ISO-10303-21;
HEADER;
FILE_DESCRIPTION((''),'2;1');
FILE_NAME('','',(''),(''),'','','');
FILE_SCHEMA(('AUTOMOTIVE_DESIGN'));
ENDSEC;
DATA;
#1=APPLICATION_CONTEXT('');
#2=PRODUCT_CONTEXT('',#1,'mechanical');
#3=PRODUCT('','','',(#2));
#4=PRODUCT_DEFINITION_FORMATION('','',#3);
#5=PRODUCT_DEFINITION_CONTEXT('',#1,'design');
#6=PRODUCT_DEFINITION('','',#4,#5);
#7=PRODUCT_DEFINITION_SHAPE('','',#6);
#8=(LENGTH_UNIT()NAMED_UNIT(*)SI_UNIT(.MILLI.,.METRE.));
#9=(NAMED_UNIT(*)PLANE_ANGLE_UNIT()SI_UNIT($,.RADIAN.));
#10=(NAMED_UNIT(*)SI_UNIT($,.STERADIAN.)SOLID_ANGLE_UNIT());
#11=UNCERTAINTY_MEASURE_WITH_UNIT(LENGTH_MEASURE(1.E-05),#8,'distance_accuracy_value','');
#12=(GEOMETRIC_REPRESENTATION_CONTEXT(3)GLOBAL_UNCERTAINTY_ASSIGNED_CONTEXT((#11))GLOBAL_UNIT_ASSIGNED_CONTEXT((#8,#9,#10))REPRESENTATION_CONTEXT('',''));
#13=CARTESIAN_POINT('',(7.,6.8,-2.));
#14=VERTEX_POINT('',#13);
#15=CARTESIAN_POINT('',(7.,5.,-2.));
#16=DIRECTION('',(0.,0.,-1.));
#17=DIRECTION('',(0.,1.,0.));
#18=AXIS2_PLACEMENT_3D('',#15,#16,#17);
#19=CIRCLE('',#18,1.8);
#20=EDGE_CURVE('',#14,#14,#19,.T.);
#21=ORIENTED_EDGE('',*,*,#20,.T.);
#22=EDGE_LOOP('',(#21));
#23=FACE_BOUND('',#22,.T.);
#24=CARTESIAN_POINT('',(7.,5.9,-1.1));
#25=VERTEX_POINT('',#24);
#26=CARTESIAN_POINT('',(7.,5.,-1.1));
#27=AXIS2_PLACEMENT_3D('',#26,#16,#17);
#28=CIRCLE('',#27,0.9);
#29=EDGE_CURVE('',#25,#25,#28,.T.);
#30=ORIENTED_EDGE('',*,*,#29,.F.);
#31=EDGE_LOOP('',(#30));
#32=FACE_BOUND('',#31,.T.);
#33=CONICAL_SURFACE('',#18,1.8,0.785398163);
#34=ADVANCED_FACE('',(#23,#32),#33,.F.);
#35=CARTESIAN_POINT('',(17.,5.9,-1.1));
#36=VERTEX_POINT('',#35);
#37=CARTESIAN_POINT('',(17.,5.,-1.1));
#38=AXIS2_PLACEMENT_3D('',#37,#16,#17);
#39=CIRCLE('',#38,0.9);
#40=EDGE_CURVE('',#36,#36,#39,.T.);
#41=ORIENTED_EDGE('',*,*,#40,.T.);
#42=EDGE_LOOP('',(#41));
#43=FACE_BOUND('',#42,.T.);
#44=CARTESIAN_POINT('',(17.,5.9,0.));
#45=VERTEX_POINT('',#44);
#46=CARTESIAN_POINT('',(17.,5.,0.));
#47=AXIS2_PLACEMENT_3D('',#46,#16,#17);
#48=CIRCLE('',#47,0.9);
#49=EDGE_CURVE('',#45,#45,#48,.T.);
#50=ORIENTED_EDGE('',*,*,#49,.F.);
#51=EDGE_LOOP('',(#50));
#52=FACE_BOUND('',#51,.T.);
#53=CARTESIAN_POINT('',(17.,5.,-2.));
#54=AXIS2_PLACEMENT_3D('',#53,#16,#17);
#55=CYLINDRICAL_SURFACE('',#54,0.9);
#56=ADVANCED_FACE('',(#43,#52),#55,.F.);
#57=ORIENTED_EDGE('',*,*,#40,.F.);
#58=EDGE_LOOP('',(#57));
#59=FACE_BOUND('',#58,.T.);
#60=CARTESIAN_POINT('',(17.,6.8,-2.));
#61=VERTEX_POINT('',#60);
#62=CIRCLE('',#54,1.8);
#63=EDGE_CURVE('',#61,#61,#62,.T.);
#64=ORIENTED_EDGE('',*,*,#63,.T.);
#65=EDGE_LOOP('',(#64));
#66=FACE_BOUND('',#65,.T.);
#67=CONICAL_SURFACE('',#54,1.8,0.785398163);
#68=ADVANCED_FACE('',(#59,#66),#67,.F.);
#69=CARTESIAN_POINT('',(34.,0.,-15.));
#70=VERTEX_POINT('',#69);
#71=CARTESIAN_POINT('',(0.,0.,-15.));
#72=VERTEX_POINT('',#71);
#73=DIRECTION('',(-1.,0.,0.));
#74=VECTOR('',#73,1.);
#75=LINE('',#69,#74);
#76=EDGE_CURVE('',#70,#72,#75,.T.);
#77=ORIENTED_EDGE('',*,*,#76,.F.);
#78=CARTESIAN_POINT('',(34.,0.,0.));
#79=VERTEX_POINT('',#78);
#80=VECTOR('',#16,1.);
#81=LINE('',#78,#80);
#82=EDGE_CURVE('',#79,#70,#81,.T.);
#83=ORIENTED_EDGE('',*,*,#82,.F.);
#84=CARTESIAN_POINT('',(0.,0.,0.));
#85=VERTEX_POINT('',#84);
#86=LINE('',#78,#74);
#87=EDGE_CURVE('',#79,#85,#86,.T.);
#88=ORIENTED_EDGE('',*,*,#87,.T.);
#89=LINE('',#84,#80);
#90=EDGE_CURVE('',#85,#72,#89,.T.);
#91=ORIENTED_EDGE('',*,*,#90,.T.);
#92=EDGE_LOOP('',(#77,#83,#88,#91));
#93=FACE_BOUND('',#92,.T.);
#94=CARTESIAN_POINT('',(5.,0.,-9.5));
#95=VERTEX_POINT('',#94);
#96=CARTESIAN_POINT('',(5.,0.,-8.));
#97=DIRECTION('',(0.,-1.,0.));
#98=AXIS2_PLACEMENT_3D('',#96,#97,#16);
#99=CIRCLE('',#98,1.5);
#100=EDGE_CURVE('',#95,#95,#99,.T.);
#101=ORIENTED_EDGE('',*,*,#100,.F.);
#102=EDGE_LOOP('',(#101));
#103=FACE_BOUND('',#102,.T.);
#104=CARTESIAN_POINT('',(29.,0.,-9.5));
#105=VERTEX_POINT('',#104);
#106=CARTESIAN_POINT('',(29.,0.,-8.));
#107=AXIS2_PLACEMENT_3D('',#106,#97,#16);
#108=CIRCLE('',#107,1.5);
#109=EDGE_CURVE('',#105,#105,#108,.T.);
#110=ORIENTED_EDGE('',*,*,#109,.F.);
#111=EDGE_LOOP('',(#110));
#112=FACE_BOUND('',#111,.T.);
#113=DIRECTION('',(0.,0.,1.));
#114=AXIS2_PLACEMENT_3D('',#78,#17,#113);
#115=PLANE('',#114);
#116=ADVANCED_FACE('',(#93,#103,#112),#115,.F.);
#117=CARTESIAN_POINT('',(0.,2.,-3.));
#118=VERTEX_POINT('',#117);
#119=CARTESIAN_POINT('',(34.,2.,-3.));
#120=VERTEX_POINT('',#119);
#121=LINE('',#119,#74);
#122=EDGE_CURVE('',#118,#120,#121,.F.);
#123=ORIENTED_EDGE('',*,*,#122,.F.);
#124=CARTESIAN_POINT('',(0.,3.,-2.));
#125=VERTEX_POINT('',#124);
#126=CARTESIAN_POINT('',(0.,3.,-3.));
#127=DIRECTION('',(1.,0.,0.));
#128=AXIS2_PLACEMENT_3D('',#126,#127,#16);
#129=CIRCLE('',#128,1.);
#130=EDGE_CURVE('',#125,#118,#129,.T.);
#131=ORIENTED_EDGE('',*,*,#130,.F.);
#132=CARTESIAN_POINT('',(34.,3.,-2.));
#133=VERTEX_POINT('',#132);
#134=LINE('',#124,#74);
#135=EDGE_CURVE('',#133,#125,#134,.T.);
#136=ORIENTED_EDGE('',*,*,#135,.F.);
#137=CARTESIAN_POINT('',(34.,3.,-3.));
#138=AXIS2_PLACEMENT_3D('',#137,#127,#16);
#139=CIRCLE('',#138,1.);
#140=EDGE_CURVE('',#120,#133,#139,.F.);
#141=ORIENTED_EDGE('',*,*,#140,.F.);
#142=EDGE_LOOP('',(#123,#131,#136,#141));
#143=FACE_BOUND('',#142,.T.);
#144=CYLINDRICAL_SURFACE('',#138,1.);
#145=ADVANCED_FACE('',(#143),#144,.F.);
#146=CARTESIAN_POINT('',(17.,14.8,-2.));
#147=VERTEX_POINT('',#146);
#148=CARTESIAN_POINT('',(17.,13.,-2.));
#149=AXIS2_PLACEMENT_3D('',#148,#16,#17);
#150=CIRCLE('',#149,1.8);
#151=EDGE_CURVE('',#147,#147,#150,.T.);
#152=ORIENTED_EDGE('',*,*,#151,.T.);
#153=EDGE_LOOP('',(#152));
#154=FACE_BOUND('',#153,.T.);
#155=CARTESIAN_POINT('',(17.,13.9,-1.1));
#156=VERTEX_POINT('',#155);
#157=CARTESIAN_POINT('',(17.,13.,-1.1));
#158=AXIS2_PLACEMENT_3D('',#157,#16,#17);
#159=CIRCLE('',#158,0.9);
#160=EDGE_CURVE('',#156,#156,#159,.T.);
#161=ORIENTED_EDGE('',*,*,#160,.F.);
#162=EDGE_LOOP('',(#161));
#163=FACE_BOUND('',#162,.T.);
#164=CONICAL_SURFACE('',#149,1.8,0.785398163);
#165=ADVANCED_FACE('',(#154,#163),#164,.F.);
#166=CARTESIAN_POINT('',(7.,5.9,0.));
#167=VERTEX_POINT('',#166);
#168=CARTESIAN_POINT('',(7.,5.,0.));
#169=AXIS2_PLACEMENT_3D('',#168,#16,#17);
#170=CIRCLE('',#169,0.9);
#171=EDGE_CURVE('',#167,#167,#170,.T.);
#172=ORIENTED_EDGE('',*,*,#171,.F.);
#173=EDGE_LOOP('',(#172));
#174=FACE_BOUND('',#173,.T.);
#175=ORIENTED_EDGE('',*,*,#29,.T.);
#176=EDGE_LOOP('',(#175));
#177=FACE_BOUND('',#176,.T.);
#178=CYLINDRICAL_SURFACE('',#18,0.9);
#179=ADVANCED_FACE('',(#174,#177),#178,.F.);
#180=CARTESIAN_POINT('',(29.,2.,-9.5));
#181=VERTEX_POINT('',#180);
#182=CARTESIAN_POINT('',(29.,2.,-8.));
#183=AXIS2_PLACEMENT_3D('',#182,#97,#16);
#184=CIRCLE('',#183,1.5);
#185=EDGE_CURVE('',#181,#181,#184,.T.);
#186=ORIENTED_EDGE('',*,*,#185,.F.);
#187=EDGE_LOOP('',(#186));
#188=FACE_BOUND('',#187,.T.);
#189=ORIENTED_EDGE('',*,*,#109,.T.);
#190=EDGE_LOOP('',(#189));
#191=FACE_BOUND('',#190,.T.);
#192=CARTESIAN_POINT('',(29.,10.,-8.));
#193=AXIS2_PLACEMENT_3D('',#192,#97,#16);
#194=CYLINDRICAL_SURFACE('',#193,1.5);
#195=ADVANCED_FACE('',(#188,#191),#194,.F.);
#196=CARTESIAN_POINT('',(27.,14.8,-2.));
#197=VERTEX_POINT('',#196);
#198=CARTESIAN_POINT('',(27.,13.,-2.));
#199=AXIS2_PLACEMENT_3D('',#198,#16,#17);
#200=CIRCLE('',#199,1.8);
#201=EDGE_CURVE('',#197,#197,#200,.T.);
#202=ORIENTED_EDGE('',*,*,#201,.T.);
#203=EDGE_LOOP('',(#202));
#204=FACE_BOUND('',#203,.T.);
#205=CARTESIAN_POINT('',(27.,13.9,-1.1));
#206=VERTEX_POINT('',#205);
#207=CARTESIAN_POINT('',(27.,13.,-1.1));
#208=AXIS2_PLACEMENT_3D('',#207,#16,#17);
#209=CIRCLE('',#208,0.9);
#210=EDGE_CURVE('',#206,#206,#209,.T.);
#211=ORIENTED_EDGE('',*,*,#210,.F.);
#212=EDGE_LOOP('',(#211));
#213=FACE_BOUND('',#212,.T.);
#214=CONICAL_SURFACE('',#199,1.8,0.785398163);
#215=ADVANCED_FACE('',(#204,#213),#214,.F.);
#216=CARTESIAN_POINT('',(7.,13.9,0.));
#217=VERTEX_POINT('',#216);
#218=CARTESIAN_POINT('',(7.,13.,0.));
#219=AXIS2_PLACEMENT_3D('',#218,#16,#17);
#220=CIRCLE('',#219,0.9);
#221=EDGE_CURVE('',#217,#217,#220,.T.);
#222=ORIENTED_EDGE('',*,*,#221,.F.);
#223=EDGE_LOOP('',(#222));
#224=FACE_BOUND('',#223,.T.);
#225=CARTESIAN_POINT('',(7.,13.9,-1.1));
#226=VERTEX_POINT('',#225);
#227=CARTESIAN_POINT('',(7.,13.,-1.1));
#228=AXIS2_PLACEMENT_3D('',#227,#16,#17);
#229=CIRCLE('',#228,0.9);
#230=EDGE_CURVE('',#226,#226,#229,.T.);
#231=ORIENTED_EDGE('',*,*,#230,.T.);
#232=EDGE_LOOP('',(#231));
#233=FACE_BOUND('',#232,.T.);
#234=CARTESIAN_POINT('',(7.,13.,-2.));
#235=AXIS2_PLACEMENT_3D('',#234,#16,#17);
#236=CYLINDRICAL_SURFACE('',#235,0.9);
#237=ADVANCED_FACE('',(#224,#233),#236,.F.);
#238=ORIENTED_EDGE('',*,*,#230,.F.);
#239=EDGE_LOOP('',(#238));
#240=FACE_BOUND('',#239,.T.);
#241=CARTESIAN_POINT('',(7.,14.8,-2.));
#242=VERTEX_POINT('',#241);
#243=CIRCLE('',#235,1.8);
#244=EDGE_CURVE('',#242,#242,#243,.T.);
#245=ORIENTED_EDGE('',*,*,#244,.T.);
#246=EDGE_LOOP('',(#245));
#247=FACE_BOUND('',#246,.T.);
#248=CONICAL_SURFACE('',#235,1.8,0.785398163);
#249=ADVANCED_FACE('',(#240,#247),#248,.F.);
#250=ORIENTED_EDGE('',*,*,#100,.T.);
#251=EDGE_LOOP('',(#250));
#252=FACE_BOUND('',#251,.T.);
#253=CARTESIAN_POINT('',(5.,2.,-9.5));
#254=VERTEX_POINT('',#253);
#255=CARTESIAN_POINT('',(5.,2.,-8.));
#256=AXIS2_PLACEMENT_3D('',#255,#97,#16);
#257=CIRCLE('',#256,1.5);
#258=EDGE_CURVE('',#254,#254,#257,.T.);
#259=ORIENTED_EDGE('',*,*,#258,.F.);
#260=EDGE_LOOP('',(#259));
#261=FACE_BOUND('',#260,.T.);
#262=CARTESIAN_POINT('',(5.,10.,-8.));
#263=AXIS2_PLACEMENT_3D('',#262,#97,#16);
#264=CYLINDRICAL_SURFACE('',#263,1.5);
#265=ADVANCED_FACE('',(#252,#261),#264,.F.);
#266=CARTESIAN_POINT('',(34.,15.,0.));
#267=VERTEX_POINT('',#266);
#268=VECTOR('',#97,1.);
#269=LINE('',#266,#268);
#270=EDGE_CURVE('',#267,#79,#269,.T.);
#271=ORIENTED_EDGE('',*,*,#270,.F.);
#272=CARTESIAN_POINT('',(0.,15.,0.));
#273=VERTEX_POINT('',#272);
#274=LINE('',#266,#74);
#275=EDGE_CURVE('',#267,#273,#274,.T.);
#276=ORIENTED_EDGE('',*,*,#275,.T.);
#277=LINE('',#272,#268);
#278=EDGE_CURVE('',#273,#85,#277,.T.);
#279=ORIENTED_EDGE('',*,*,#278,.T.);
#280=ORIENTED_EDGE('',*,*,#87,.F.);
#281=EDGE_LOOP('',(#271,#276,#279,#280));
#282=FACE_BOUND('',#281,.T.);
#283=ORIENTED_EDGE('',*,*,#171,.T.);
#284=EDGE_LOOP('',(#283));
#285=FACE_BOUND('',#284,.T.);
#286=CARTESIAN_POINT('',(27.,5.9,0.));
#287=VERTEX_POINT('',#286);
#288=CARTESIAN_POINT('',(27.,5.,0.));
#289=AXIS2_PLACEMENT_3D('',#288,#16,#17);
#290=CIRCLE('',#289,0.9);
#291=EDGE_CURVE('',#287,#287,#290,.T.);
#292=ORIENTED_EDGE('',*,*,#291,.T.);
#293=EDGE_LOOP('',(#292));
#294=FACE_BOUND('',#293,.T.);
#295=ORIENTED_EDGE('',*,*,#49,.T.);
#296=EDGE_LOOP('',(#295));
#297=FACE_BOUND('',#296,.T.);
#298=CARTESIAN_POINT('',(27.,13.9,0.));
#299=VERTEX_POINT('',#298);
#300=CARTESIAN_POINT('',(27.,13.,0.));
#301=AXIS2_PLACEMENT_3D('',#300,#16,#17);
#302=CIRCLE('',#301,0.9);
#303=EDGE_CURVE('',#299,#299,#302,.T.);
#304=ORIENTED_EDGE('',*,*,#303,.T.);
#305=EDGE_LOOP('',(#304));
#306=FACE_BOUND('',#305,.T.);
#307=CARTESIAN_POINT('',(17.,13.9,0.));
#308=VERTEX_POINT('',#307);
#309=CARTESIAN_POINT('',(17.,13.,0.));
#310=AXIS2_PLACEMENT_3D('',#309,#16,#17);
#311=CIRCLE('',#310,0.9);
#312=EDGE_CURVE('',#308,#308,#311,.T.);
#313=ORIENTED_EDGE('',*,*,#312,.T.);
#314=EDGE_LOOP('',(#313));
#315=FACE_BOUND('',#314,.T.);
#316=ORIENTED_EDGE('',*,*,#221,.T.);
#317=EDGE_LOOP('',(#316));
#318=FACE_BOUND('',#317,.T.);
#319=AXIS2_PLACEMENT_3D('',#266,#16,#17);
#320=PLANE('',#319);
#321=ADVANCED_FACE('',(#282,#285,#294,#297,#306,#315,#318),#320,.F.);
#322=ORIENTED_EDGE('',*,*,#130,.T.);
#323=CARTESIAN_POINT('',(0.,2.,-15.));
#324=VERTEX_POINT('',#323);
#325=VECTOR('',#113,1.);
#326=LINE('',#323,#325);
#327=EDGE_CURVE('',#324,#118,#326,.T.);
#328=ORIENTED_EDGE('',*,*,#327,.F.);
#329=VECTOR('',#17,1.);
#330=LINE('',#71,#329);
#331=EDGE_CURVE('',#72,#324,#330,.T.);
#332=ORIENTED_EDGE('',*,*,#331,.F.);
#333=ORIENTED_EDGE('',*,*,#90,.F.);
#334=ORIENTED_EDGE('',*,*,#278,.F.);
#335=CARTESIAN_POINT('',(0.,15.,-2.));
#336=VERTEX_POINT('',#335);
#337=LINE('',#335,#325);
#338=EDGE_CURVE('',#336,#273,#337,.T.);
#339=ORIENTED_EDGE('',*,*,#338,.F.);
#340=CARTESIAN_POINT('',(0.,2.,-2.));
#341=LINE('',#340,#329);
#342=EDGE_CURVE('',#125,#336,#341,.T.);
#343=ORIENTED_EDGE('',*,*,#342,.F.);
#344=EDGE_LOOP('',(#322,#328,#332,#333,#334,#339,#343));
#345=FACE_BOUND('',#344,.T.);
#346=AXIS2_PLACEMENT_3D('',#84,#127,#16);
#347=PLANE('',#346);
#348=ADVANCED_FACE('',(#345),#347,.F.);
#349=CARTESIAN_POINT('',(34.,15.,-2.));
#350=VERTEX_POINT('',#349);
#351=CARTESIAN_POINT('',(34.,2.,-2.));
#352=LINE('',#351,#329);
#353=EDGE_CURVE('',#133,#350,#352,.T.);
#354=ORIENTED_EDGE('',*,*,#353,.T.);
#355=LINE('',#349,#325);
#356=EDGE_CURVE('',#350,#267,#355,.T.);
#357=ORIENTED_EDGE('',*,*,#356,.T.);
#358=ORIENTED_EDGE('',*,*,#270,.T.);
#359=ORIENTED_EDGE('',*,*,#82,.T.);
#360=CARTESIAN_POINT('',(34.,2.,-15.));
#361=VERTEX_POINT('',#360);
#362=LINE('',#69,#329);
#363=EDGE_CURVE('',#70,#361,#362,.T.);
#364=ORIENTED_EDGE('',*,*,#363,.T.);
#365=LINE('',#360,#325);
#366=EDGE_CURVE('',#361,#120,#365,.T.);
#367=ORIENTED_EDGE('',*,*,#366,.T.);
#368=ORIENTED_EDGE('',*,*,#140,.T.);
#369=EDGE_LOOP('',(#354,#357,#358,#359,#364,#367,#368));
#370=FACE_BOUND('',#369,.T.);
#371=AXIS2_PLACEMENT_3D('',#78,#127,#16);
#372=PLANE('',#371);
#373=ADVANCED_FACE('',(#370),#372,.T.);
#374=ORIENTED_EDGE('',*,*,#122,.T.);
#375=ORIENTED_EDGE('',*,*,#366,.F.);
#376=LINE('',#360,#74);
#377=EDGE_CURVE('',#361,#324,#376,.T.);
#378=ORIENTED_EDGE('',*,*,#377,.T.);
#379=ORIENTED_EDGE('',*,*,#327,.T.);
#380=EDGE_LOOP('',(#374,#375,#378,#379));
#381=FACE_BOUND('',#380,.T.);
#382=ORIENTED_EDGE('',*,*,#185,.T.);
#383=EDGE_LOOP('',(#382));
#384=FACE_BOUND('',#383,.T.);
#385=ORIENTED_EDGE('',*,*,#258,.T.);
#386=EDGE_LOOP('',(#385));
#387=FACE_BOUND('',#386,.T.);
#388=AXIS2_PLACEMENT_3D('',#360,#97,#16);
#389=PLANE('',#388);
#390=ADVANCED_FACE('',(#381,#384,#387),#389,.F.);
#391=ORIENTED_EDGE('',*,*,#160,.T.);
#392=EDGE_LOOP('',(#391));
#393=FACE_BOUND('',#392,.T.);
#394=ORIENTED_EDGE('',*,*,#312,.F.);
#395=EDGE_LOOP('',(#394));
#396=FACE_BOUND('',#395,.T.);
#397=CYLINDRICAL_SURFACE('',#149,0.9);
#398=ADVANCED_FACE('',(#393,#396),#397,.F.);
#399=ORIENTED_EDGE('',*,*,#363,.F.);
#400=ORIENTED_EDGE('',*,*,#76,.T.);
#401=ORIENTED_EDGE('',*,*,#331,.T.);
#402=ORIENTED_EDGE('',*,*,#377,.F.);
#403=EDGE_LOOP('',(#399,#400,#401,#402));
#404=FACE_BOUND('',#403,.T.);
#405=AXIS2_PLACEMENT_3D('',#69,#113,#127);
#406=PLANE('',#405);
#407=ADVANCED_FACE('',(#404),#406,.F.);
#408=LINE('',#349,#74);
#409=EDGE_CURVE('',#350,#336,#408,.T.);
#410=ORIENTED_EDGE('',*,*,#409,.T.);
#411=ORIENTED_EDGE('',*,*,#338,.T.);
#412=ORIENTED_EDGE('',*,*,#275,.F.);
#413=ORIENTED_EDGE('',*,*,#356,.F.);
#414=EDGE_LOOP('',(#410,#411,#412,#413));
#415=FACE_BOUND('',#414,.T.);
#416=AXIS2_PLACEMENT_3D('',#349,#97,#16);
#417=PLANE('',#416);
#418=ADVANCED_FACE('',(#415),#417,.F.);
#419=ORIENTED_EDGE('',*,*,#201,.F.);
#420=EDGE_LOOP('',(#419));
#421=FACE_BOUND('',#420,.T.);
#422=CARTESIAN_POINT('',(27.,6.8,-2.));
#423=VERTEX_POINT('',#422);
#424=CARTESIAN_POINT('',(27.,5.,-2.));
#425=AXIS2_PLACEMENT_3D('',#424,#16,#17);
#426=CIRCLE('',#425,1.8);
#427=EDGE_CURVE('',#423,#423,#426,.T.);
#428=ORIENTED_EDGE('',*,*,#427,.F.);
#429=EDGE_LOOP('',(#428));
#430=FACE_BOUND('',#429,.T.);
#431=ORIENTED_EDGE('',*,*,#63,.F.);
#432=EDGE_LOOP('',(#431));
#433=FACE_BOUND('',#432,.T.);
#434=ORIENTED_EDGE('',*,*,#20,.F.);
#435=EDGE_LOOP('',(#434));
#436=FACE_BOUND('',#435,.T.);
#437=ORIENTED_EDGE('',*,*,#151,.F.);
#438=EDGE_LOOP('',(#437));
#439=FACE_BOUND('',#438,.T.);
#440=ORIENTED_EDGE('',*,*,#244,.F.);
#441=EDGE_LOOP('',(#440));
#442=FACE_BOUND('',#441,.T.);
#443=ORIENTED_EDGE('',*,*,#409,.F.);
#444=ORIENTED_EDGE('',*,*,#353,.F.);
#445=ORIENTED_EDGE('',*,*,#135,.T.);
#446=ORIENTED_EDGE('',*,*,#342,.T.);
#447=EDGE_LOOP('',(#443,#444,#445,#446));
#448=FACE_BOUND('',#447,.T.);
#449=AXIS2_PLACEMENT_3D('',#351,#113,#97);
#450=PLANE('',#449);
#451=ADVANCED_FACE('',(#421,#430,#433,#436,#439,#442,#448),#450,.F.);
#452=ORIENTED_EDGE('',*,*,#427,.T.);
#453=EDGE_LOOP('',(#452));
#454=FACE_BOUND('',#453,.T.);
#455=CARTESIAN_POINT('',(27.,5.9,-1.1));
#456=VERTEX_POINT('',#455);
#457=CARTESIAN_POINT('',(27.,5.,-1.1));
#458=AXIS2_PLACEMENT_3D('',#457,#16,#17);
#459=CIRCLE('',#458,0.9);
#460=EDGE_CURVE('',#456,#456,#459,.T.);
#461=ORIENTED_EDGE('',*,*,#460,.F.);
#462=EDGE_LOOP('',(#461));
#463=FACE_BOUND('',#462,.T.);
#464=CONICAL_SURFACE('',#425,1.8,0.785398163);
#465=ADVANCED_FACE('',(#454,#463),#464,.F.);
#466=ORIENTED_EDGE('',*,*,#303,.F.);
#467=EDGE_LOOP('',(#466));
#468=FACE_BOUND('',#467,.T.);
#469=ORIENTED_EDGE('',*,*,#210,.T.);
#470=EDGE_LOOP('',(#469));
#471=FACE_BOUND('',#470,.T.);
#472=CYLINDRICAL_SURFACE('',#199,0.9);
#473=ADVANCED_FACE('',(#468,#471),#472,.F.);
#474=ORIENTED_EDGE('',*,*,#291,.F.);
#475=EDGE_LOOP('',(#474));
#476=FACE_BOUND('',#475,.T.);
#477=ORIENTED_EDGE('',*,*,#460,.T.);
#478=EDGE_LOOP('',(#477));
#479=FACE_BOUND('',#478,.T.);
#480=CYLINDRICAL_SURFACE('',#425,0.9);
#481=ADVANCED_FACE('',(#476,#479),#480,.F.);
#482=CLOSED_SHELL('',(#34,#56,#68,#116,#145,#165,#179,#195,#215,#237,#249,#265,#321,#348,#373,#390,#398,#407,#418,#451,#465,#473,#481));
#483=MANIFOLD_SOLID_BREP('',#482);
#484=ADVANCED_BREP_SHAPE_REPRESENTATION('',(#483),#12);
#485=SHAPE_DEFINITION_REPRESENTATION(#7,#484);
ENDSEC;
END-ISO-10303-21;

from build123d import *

# Parameters (mm, degrees)
BOSS_EXTRUDE1_DEPTH                          = 34
FILLET1_R                                    = 1
SKETCH2_R                                    = 1.5
CUT_EXTRUDE3_DEPTH                           = 10
CSK_FOR_M1_6_COUNTERSUNK_FLAT_HEAD_S_2_COUNT = 2
CSK_FOR_M1_6_COUNTERSUNK_FLAT_HEAD_S_2_PITCH = 8
LPATTERN1_COUNT                              = 2
LPATTERN1_PITCH                              = 10
LPATTERN2_COUNT                              = 2
LPATTERN2_PITCH                              = 10


with BuildPart() as part:
    # Sketch1 → Boss-Extrude1 (new body)
    with BuildSketch(Plane(origin=(0, 0, 0), x_dir=(0, 0, -1), z_dir=(1, 0, 0))):
        Polygon((0, 15), (0, 0), (15, 0), (15, 2), (2, 2), (2, 15), align=None)
    extrude(amount=BOSS_EXTRUDE1_DEPTH)

    # Fillet1
    fillet1_edges = [part.edges().sort_by_distance(p)[0] for p in [
        (17, 2, -2),
    ]]
    fillet(fillet1_edges, radius=FILLET1_R)

    # Sketch2 → Cut-Extrude3 (cut)
    with BuildSketch(Plane.XZ):
        with Locations(Location((28.999999992, -7.999999993, 0), (0, 0, 270))):
            Circle(SKETCH2_R)
        with Locations(Location((5, -8, 0), (0, 0, 270))):
            Circle(SKETCH2_R)
    extrude(amount=-CUT_EXTRUDE3_DEPTH, mode=Mode.SUBTRACT)

    # Sketch4 → CSK for M1.6 Countersunk Flat Head Screw1 (revolve, cut)
    with BuildSketch(Plane(origin=(17, 5, -2), x_dir=(0, 1, 0), z_dir=(1, 0, 0))):
        Polygon((0, 0), (0, 30.540774557), (0.9, 30), (0.9, 0.9), (1.8, 0), align=None)
    csk_for_m1_6_countersunk_flat_head_screw = revolve(axis=Axis((17, 5, -8.35), (0, 0, 1)), mode=Mode.SUBTRACT)

    # CSK for M1.6 Countersunk Flat Head S 2: CSK for M1.6 Countersunk Flat Head Screw1 ×2
    with Locations(*[(0, i * CSK_FOR_M1_6_COUNTERSUNK_FLAT_HEAD_S_2_PITCH, 0) for i in range(1, CSK_FOR_M1_6_COUNTERSUNK_FLAT_HEAD_S_2_COUNT)]):
        add(csk_for_m1_6_countersunk_flat_head_screw, mode=Mode.SUBTRACT)

    # LPattern1: CSK for M1.6 Countersunk Flat Head Screw1 ×2
    with Locations(*[(-i * LPATTERN1_PITCH, 0, 0) for i in range(1, LPATTERN1_COUNT)]):
        add(csk_for_m1_6_countersunk_flat_head_screw, mode=Mode.SUBTRACT)

    # LPattern1 copy 1 sketch → LPattern1 copy 1 (revolve, cut)
    with BuildSketch(Plane(origin=(7, 13, -2), x_dir=(0, 1, 0), z_dir=(1, 0, 0))):
        Polygon((0, 0), (0, 30.540774557), (0.9, 30), (0.9, 0.9), (1.8, 0), align=None)
    revolve(axis=Axis((7, 13, -8.35), (0, 0, 1)), mode=Mode.SUBTRACT)

    # LPattern2: CSK for M1.6 Countersunk Flat Head Screw1 ×2
    with Locations(*[(i * LPATTERN2_PITCH, 0, 0) for i in range(1, LPATTERN2_COUNT)]):
        add(csk_for_m1_6_countersunk_flat_head_screw, mode=Mode.SUBTRACT)

    # LPattern2 copy 1 sketch → LPattern2 copy 1 (revolve, cut)
    with BuildSketch(Plane(origin=(27, 13, -2), x_dir=(0, 1, 0), z_dir=(1, 0, 0))):
        Polygon((0, 0), (0, 30.540774557), (0.9, 30), (0.9, 0.9), (1.8, 0), align=None)
    revolve(axis=Axis((27, 13, -8.35), (0, 0, 1)), mode=Mode.SUBTRACT)


solid = part.part
